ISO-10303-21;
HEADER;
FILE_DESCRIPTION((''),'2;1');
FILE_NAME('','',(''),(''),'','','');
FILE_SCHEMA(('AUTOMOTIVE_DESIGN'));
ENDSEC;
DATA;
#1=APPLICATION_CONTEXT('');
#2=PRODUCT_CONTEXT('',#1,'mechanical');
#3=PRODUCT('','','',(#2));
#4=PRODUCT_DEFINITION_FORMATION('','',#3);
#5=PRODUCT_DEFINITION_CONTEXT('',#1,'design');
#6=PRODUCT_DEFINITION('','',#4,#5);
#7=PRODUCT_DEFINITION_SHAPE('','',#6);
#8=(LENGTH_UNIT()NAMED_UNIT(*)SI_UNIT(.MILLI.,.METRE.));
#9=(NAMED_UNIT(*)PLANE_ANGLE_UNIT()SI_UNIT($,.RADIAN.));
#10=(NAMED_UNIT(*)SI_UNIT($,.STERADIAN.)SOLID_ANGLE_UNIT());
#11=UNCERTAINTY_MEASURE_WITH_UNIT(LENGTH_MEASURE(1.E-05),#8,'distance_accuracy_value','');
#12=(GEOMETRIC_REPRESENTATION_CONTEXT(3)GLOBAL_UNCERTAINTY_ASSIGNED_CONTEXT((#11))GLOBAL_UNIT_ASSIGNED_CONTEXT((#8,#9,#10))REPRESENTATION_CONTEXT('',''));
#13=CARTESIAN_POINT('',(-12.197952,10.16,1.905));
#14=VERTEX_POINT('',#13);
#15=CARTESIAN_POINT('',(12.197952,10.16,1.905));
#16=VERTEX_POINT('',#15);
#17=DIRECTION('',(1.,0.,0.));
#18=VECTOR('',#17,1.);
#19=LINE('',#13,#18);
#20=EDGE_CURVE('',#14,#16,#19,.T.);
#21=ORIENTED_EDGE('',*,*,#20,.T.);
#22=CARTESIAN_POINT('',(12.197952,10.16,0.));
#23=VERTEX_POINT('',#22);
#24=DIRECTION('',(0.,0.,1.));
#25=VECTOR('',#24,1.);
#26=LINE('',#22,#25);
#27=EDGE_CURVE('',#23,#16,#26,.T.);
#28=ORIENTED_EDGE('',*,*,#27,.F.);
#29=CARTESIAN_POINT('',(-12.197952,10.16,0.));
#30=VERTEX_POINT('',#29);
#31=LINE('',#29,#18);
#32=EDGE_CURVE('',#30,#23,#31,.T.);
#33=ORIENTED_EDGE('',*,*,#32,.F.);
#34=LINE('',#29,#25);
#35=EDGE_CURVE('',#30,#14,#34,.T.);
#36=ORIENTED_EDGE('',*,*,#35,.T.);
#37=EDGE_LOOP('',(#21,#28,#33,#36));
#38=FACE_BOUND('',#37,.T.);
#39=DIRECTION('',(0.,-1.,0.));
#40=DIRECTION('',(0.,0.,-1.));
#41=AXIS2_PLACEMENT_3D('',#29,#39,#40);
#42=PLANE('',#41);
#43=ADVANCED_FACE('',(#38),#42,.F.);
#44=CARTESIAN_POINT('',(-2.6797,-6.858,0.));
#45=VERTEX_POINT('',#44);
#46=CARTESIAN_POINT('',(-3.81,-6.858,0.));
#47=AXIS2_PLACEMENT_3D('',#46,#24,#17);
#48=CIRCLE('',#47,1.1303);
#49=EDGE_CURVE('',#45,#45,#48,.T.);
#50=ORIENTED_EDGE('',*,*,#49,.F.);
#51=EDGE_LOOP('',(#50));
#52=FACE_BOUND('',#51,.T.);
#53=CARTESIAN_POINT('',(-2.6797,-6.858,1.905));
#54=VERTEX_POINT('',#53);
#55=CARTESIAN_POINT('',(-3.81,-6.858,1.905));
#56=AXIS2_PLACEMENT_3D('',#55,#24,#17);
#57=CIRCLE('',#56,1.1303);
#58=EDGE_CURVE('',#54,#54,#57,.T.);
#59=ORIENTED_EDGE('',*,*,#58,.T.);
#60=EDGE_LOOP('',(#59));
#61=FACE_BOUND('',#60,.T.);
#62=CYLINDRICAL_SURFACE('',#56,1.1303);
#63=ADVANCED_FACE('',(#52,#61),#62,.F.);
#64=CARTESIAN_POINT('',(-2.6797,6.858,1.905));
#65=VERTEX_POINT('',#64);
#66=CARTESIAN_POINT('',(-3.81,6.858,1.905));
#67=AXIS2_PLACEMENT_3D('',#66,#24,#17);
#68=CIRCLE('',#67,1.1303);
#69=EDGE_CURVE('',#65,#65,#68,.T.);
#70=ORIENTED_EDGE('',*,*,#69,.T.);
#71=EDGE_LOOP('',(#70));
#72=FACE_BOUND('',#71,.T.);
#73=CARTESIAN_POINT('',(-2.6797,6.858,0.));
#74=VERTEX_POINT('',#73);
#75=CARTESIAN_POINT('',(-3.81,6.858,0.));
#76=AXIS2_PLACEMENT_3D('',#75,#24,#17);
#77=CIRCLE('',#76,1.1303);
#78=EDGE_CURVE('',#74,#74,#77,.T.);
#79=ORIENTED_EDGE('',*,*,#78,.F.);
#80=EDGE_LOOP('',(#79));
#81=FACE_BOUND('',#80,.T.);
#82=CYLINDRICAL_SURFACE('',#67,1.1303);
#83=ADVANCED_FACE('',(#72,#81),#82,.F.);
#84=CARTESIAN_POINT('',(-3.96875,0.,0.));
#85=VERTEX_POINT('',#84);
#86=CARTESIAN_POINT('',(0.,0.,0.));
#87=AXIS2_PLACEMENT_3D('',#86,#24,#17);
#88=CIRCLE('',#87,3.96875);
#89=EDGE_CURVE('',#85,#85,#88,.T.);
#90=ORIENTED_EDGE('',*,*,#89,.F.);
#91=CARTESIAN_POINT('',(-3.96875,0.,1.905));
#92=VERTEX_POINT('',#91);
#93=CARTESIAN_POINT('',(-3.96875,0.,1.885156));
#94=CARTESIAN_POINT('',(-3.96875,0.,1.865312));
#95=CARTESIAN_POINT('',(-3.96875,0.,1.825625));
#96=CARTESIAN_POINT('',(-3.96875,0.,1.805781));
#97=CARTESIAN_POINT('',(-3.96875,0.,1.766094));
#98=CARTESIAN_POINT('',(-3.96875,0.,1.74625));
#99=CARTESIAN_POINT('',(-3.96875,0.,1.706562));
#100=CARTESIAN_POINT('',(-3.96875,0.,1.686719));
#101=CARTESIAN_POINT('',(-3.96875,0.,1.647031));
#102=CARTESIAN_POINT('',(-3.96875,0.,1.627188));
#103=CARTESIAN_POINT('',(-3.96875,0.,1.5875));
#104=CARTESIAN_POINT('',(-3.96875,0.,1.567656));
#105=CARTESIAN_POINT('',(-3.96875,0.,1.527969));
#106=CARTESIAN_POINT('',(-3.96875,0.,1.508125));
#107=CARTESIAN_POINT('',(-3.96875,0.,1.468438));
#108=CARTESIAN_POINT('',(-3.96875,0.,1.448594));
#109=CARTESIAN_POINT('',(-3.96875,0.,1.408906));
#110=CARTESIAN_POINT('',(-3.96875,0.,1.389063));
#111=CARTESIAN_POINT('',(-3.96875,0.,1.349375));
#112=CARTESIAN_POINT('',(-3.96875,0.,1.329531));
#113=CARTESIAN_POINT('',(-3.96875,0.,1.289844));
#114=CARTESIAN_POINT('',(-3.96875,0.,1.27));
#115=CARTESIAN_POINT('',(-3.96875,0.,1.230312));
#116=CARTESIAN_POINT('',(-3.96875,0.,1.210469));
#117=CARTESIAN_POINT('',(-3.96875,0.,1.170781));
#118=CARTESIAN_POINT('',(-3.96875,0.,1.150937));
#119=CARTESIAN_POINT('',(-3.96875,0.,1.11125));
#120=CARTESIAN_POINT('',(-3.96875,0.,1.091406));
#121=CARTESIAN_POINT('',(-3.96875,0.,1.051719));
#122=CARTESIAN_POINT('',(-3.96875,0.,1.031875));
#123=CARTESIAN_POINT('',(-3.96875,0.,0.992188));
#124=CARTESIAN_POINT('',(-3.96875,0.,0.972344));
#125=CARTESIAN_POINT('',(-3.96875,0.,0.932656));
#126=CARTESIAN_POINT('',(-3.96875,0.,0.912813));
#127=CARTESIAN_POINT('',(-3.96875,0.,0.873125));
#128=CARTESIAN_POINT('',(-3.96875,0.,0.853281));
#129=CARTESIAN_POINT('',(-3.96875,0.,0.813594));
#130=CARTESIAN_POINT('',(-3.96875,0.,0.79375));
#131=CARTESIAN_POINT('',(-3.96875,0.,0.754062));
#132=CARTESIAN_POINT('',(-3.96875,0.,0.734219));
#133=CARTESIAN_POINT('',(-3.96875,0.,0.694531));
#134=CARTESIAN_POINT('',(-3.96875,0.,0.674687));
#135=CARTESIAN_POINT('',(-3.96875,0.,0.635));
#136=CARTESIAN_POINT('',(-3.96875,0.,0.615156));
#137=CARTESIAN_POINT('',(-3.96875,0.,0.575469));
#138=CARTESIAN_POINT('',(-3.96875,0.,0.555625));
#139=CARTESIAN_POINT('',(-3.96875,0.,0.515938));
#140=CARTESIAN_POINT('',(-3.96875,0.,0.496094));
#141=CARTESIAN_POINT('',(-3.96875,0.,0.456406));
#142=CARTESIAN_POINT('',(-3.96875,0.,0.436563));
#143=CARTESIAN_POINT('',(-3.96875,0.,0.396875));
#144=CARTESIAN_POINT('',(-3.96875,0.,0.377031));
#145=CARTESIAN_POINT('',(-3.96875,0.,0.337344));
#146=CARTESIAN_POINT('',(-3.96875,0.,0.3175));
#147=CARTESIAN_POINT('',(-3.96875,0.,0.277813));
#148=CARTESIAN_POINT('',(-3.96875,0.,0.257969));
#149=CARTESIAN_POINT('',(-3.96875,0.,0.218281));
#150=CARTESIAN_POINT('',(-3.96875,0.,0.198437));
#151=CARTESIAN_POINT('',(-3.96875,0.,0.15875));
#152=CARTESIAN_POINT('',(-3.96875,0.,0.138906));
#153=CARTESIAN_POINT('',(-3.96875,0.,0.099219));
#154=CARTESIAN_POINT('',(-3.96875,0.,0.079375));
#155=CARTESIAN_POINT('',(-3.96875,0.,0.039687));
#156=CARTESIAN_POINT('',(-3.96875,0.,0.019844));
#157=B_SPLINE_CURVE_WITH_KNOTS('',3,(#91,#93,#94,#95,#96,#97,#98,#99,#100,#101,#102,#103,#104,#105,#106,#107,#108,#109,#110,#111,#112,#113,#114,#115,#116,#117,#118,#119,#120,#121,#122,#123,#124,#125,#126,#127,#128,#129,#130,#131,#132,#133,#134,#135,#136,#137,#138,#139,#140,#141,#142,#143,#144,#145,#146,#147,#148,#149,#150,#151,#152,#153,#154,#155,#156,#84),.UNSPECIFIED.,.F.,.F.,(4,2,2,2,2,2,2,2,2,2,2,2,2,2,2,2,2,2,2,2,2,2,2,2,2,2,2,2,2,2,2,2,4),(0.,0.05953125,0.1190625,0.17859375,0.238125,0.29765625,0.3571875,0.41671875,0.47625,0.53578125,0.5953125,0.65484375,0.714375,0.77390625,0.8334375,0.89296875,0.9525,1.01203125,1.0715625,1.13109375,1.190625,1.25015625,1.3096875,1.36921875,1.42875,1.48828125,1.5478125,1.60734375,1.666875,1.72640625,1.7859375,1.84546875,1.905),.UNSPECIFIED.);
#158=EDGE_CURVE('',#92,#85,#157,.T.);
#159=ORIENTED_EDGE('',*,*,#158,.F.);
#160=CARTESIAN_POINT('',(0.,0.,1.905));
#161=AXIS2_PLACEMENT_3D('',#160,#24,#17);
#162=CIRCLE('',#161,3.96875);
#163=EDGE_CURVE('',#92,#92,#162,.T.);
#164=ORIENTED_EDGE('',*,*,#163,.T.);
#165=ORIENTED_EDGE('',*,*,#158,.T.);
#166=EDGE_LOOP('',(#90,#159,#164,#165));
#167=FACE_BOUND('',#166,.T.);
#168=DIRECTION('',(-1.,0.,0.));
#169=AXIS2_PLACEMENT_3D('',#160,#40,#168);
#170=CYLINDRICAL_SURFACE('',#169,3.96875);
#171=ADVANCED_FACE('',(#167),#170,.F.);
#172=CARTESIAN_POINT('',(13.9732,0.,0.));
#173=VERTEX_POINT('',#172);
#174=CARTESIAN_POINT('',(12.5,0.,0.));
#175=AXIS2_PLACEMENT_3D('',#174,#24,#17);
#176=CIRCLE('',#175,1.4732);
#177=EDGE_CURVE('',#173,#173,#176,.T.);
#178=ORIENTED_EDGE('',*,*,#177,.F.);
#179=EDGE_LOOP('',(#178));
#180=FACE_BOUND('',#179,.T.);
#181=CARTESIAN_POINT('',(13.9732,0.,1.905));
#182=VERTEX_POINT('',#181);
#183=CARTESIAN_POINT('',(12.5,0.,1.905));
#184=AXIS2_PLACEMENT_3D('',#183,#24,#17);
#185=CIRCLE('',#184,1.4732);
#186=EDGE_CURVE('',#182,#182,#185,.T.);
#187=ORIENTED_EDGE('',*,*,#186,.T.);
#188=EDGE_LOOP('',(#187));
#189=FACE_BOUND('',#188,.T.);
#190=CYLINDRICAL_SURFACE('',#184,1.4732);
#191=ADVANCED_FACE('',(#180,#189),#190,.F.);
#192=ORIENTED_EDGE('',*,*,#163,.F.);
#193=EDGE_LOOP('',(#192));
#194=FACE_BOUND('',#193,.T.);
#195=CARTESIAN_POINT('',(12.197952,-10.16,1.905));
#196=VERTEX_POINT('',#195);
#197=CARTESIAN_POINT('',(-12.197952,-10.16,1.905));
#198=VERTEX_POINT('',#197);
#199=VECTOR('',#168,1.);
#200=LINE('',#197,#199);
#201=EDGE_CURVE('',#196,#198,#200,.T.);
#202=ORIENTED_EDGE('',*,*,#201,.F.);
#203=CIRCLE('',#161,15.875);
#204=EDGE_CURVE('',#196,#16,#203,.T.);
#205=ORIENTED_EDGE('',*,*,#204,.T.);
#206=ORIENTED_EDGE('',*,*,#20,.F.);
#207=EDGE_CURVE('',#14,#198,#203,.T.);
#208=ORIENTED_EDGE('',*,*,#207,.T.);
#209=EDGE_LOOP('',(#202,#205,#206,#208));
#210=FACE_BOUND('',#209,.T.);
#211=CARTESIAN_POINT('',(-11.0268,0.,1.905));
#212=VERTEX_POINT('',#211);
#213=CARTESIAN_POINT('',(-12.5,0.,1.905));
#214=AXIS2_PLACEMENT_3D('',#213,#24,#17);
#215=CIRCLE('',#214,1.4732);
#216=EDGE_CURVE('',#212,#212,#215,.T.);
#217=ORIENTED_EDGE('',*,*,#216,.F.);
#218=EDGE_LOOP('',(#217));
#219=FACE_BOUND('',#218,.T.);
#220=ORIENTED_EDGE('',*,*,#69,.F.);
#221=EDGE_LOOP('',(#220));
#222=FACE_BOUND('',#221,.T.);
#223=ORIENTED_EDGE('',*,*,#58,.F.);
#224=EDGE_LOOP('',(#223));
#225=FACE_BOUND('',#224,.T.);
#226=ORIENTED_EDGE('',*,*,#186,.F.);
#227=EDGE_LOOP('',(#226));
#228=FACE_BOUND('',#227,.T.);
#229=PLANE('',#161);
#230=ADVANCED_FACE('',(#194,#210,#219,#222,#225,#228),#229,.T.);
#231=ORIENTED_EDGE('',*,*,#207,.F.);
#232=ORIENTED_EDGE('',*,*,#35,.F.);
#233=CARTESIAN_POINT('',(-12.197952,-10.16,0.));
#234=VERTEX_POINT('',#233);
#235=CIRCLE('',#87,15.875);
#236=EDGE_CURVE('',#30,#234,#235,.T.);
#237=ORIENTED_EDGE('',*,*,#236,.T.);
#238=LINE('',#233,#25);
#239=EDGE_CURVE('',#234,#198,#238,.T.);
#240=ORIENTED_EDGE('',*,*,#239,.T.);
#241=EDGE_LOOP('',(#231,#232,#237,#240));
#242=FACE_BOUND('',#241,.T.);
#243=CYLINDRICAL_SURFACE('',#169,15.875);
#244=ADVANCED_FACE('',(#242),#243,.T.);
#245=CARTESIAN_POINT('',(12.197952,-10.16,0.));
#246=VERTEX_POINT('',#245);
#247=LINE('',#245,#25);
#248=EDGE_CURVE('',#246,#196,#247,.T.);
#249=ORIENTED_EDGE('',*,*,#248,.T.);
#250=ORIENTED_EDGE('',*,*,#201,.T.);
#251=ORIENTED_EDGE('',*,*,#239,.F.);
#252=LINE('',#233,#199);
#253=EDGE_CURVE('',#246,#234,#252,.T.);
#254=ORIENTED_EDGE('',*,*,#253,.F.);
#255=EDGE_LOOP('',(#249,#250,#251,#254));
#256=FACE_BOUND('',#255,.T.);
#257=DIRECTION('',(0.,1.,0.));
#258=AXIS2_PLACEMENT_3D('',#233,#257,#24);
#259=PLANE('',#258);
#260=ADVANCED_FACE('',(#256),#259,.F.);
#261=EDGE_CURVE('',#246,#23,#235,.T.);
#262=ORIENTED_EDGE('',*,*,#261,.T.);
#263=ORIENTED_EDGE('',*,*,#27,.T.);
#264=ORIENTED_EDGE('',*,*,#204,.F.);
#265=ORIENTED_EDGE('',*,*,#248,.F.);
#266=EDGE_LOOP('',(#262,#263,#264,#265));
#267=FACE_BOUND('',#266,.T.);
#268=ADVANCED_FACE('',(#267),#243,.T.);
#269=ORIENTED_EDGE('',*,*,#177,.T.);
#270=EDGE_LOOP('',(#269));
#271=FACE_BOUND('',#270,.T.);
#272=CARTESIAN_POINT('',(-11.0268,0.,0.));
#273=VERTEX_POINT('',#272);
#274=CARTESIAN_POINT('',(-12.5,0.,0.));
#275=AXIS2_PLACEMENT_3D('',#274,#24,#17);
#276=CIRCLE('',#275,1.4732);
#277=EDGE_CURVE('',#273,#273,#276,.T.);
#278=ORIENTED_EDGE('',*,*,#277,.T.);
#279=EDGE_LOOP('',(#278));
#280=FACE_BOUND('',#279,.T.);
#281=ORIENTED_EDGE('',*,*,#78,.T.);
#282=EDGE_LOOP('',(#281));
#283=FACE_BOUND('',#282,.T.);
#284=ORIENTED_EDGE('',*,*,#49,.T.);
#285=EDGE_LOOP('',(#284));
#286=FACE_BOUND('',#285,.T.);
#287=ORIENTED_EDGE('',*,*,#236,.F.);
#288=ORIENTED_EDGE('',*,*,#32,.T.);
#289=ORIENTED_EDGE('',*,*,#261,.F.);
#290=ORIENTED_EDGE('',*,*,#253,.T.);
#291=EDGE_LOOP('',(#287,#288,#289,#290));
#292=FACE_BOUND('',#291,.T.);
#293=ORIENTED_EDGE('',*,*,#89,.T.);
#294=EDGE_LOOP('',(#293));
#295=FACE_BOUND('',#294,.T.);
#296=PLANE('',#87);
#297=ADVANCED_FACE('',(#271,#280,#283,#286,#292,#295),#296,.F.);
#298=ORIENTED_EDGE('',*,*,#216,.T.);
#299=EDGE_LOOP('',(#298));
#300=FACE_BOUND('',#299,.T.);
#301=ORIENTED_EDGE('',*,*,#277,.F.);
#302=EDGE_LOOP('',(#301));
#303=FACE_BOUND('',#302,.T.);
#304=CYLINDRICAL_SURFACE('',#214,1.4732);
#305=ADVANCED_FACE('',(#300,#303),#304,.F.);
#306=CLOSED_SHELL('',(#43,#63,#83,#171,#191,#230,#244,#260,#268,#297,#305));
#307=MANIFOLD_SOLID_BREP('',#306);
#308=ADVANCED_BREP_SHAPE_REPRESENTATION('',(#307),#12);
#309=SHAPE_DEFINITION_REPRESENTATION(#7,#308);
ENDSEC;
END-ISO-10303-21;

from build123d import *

# Parameters (mm, degrees)
SKETCH1_R             = 15.875
SKETCH1_R_2           = 3.96875
BOSS_EXTRUDE1_DEPTH   = 1.905
MOTORCLEARANCEHOLES_D = 2.9464
ENCODERSETSCREWS_D    = 2.2606
LINACTCUTAWAY_DEPTH   = 23.531317649


with BuildPart() as part:
    # Sketch1 → Boss-Extrude1 (new body)
    with BuildSketch(Plane.XY):
        with Locations(Location((0, 0, 0), (0, 0, 180))):
            Circle(SKETCH1_R)
        with Locations(Location((0, 0, 0), (0, 0, 180))):
            Circle(SKETCH1_R_2, mode=Mode.SUBTRACT)
    extrude(amount=BOSS_EXTRUDE1_DEPTH)

    # MotorClearanceHoles (through all)
    with Locations(Plane.XY.offset(1.905)):
        with Locations((-12.5, 0), (12.5, 0)):
            Hole(MOTORCLEARANCEHOLES_D / 2)

    # EncoderSetScrews (through all)
    with Locations(Plane.XY.offset(1.905)):
        with Locations((-3.81, 6.858), (-3.81, -6.858)):
            Hole(ENCODERSETSCREWS_D / 2)

    # Sketch8 → LinActCutaway (cut, through all)
    with BuildSketch(Plane.XY.offset(1.905)):
        with BuildLine():
            Line((-12.197951672, -10.16), (12.197951672, -10.16))
            ThreePointArc((12.197951672, -10.16), (0, -15.875), (-12.197951672, -10.16))
        make_face()
        with BuildLine():
            Line((-12.197951672, 10.16), (12.197951672, 10.16))
            ThreePointArc((12.197951672, 10.16), (0, 15.875), (-12.197951672, 10.16))
        make_face()
    extrude(amount=-LINACTCUTAWAY_DEPTH, mode=Mode.SUBTRACT)


solid = part.part
